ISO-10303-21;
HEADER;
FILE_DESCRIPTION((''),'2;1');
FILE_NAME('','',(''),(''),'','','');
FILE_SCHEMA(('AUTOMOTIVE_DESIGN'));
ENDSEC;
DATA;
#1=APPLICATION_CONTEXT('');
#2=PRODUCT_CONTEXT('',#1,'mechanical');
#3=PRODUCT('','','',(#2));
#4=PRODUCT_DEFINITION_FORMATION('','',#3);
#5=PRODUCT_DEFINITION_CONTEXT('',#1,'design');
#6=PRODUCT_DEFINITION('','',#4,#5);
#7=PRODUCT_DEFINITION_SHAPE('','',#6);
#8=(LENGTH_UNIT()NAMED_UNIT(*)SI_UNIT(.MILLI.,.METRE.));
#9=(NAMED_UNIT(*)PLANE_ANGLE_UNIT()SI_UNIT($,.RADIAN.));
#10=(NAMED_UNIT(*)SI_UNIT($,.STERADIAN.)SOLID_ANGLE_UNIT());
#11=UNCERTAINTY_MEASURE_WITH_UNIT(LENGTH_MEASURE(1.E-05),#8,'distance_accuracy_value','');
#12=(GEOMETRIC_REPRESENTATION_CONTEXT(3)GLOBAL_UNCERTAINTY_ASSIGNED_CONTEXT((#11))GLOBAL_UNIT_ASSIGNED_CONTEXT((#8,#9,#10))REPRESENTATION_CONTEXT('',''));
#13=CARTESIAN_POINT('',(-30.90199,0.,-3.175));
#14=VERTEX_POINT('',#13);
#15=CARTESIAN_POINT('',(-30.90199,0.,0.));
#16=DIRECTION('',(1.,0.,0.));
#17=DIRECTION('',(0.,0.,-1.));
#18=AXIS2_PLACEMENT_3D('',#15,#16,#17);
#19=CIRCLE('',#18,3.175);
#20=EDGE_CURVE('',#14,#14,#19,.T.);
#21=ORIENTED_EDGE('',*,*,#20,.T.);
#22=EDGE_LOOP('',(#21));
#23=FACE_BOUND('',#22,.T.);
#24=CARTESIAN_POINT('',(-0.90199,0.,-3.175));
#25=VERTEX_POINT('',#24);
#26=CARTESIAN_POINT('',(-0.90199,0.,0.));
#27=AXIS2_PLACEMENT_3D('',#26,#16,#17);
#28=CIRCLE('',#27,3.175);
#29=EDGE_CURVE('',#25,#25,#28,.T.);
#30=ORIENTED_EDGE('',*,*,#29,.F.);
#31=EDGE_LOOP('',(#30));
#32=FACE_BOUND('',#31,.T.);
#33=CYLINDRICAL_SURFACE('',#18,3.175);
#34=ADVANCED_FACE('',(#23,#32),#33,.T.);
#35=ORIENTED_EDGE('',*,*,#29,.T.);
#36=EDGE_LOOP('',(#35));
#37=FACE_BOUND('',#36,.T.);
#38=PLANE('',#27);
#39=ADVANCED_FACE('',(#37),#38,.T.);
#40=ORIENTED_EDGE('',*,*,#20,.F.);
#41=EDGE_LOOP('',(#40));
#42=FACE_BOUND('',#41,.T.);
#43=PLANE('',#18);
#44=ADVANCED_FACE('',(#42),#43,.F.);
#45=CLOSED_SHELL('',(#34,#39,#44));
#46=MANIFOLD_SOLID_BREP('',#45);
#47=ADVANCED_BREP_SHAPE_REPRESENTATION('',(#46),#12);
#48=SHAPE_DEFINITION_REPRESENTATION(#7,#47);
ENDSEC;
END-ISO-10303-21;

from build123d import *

# Parameters (mm, degrees)
BALAYAGE1_PROFILE_R = 3.175


with BuildPart() as part:
    # Balayage1: sweep along a path in Esquisse1
    with BuildLine(Plane.XY) as balayage1_path:
        Line((-30.901990077, 0), (-0.901990077, 0))
    # Balayage1 profile (on start of the path) → Balayage1 (sweep)
    with BuildSketch(Plane(origin=(-30.901990077, 0, 0), x_dir=(0, 0, 1), z_dir=(1, 0, 0))):
        Circle(BALAYAGE1_PROFILE_R)
    sweep(path=balayage1_path.line)


solid = part.part
